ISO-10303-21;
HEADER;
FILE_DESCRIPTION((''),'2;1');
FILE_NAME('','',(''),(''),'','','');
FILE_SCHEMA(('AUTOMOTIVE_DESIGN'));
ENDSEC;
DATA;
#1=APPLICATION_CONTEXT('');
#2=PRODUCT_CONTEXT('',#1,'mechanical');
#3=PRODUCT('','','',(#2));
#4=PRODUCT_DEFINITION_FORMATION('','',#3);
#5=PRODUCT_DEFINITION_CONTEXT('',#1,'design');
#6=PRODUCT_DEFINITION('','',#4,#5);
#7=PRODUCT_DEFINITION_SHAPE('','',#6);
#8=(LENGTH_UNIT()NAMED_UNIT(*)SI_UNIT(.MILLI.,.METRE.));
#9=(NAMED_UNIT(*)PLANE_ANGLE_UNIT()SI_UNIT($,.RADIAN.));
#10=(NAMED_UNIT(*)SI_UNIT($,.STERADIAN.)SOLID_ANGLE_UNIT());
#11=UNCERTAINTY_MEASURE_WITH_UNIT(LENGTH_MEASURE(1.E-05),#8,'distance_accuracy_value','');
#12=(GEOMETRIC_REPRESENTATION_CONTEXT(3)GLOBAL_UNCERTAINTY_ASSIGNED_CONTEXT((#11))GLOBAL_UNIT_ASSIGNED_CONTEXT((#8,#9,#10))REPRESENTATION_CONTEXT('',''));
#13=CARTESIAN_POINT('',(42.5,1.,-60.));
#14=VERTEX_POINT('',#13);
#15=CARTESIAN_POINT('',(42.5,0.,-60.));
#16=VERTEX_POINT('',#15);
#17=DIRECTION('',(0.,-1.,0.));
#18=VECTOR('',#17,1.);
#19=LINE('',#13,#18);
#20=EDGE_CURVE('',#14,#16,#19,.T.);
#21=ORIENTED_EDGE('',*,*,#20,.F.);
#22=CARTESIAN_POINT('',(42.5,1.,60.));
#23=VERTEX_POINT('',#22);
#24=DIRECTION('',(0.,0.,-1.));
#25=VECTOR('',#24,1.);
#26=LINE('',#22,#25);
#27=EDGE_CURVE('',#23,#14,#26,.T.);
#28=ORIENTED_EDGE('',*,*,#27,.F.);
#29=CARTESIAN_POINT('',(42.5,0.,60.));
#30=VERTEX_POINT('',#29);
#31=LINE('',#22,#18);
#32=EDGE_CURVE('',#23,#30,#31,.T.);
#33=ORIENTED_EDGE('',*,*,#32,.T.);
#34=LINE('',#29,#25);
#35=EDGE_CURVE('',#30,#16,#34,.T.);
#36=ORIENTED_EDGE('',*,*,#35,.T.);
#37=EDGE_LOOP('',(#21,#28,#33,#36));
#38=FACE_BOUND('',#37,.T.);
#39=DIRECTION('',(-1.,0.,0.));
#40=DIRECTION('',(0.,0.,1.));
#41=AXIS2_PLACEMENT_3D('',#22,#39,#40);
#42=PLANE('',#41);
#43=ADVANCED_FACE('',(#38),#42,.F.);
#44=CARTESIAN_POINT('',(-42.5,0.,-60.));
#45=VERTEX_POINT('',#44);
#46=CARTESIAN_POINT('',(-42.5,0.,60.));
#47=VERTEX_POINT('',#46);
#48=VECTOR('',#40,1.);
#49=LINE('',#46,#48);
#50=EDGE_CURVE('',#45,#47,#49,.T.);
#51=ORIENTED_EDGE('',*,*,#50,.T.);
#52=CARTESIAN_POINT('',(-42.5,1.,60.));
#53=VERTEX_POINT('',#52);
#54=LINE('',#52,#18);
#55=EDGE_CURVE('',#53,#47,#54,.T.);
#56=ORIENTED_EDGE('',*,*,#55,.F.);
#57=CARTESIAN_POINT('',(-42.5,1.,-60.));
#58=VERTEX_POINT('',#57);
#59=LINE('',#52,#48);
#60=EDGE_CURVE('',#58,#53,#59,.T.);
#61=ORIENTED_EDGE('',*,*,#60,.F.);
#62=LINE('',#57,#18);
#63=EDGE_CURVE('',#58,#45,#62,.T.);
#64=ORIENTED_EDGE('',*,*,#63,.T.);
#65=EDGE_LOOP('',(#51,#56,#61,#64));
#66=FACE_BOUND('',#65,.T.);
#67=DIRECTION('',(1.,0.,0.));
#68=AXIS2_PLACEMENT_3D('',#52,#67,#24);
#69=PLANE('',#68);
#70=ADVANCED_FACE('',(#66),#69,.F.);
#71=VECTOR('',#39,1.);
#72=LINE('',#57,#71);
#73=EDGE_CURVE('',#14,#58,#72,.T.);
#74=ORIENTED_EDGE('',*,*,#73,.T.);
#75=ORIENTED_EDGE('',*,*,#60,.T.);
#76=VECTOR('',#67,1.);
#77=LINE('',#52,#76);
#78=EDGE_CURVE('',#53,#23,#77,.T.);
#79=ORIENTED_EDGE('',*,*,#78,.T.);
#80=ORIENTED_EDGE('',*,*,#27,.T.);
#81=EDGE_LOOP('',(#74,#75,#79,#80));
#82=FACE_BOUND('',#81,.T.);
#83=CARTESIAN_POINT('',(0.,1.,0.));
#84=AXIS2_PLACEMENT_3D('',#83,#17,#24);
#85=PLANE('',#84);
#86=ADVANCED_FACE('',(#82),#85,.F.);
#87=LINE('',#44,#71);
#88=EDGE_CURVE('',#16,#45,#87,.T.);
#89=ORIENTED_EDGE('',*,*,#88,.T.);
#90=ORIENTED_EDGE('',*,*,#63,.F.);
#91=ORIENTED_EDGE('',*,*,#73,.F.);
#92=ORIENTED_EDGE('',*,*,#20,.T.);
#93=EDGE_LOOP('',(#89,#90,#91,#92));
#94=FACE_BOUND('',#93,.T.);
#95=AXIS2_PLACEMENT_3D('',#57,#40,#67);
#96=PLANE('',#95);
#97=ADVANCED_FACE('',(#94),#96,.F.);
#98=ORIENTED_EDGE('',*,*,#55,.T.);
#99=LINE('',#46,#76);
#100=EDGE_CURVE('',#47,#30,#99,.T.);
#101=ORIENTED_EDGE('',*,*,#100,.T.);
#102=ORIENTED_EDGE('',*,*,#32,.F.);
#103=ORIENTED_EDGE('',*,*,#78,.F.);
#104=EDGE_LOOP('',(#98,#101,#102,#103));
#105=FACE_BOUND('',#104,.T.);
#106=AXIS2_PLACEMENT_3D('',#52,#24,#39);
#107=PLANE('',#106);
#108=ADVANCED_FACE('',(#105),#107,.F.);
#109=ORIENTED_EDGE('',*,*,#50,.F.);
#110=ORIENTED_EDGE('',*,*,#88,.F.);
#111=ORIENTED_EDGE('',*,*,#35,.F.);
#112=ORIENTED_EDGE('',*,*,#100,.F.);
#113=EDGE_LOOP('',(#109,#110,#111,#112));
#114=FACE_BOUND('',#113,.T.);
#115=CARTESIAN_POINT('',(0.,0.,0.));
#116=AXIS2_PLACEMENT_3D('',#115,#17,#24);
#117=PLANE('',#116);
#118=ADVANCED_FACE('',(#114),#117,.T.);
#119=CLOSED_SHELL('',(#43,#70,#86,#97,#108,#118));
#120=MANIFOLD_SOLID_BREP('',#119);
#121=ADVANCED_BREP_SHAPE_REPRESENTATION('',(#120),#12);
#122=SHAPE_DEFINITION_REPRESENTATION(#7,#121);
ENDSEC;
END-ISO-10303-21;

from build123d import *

# Parameters (mm, degrees)
SKETCH_1_W      = 85
SKETCH_1_H      = 120
EXTRUDE_1_DEPTH = 1


with BuildPart() as part:
    # Эскиз1 → Бобышка-Вытянуть1 (new body)
    with BuildSketch(Plane(origin=(0, 0, 0), x_dir=(1, 0, 0), z_dir=(0, 1, 0))):
        Rectangle(SKETCH_1_W, SKETCH_1_H)
    extrude(amount=EXTRUDE_1_DEPTH)


solid = part.part
